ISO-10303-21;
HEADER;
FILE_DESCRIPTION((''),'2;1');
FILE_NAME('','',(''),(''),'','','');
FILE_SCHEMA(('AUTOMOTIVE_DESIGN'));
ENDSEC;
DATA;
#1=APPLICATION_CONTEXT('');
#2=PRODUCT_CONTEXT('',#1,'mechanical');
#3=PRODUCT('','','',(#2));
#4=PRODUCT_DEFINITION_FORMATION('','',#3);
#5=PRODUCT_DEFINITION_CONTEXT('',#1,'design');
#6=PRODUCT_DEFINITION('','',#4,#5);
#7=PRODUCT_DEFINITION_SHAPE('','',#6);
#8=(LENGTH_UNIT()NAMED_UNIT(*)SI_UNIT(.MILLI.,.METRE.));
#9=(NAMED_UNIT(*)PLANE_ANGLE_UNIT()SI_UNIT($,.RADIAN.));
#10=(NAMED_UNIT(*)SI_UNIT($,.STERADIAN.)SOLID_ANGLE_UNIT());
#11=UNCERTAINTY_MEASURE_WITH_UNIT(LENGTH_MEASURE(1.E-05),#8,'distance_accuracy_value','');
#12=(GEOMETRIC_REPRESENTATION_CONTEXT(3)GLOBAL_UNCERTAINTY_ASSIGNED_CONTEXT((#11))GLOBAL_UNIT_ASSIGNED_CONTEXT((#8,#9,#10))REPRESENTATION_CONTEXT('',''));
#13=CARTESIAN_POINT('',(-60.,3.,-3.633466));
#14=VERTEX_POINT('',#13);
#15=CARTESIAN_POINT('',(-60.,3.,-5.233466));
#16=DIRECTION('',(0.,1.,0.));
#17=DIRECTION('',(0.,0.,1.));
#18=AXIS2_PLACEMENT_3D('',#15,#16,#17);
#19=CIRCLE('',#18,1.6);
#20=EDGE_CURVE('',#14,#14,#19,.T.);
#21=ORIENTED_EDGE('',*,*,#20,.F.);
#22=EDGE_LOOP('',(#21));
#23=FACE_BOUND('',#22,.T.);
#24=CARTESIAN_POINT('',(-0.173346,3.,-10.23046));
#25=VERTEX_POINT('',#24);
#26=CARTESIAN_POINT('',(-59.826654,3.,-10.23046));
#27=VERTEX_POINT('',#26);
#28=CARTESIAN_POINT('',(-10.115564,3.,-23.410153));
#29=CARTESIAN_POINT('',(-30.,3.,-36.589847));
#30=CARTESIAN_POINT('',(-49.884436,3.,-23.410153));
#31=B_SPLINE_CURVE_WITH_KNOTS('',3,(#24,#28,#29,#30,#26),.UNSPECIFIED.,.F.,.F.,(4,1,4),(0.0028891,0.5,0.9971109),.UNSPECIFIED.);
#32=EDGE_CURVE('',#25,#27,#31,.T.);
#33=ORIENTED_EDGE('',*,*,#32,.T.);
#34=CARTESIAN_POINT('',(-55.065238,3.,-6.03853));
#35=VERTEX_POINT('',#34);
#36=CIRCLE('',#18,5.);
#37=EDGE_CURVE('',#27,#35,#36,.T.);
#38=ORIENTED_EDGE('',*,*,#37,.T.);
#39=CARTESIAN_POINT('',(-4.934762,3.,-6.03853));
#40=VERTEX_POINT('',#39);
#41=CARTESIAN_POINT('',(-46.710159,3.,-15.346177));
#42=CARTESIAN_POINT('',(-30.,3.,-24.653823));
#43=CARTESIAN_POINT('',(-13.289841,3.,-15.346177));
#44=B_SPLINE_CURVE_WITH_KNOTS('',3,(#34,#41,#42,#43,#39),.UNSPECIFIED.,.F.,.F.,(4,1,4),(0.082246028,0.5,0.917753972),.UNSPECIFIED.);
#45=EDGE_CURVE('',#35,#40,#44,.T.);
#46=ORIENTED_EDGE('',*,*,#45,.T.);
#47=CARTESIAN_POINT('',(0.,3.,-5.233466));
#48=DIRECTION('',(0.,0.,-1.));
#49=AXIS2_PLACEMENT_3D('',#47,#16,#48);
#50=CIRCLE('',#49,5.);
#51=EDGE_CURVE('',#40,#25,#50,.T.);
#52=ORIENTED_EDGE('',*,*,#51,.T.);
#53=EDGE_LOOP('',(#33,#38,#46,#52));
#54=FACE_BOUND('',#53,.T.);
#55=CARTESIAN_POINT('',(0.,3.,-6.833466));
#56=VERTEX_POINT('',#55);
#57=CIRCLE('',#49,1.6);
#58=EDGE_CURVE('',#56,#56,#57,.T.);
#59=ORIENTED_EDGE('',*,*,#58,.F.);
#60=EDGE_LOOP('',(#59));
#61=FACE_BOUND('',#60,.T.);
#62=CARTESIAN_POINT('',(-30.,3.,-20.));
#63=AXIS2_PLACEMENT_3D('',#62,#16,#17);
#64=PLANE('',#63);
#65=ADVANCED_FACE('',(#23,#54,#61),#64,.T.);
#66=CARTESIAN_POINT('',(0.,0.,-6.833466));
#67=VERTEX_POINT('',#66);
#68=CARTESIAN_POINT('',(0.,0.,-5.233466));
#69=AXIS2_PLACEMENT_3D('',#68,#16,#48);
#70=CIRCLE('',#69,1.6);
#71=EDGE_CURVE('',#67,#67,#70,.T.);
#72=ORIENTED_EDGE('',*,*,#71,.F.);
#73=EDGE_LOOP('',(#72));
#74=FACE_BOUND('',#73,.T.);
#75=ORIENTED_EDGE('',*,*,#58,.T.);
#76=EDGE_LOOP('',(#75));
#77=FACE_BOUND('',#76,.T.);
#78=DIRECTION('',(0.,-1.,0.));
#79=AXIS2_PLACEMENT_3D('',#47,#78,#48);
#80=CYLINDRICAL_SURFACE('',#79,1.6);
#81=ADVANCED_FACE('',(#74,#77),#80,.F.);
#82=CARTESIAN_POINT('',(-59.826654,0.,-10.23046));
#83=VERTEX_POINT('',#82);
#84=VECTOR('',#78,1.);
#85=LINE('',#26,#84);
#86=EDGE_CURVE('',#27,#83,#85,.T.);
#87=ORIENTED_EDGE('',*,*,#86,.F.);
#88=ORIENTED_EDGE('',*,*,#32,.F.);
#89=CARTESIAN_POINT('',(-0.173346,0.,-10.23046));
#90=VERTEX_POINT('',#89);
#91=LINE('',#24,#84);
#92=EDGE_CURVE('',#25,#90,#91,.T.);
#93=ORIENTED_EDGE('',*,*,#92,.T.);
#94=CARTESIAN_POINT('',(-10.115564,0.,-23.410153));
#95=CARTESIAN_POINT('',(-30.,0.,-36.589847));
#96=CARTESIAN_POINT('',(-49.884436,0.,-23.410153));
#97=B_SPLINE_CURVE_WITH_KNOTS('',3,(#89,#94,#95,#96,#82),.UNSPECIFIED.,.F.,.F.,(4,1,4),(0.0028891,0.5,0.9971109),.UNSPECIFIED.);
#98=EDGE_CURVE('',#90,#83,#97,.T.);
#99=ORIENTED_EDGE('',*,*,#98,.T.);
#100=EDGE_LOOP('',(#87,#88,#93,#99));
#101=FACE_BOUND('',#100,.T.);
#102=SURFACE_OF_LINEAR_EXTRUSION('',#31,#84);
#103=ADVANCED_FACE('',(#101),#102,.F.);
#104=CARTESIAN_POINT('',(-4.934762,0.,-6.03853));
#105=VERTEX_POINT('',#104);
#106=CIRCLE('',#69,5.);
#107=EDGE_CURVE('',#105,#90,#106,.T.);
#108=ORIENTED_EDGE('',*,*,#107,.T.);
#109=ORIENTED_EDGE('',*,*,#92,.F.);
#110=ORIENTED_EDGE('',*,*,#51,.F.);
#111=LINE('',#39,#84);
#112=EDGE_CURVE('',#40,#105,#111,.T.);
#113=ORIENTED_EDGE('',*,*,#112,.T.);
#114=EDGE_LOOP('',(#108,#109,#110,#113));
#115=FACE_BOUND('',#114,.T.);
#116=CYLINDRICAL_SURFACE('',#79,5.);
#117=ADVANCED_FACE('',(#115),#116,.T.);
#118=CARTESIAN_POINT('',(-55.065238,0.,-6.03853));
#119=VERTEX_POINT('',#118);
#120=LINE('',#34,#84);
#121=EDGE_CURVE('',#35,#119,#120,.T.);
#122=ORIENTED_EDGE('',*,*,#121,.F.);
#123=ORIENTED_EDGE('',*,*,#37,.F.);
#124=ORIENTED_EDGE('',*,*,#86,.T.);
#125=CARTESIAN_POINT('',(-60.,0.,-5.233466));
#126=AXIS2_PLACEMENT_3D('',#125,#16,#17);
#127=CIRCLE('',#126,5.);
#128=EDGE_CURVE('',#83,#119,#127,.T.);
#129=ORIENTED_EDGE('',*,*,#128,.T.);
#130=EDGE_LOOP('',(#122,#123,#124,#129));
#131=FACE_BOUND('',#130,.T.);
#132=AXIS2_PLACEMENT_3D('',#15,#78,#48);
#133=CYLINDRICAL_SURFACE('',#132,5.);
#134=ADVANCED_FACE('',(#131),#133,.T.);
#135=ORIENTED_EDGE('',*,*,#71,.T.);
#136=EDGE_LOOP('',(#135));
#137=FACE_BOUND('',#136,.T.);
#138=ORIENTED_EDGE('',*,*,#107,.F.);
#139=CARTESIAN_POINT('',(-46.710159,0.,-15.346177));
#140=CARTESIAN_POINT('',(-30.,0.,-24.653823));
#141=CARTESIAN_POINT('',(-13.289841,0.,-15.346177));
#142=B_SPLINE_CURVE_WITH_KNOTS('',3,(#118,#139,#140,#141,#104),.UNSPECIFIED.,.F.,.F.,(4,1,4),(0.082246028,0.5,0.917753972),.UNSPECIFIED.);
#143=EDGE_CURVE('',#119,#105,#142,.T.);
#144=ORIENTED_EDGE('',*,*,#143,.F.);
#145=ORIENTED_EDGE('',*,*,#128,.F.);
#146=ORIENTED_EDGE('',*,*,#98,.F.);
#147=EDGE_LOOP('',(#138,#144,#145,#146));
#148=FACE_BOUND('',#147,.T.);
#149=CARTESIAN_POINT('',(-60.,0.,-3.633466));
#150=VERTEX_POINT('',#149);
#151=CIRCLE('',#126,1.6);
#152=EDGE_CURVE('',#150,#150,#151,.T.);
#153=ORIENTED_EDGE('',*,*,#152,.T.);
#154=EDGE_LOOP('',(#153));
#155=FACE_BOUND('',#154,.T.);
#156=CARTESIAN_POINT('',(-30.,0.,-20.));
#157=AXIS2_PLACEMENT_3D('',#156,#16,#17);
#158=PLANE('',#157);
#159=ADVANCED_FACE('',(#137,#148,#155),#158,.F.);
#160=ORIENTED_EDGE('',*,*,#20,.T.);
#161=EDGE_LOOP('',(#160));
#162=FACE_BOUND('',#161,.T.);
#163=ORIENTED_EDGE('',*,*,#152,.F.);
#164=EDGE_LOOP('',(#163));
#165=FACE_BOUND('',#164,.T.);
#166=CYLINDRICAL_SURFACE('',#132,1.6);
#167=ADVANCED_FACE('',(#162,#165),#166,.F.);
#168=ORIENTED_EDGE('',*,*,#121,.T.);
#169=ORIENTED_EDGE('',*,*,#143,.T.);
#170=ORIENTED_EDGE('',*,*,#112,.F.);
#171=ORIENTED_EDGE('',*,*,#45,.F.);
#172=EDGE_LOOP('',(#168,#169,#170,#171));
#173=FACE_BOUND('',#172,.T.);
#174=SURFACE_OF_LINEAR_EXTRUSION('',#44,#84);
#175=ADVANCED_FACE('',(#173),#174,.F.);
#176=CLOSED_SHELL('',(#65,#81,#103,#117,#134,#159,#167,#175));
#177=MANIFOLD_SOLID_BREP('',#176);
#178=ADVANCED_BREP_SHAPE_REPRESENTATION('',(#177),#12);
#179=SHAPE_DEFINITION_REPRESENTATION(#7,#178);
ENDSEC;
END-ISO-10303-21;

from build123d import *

# Parameters (mm, degrees)
SKETCH1_R           = 1.6
BOSS_EXTRUDE1_DEPTH = 3


with BuildPart() as part:
    # Sketch1 → Boss-Extrude1 (new body)
    with BuildSketch(Plane(origin=(0, 0, 0), x_dir=(1, 0, 0), z_dir=(0, 1, 0))):
        with BuildLine():
            ThreePointArc((-59.826654002, 10.230460246), (-63.30397667, 1.480635346), (-55.065238323, 6.038529506))
            add(Edge.make_bspline(
                [(-55.065238323, 6.038529506), (-46.710158882, 15.346176502), (-30, 24.653823498), (-13.289841118, 15.346176502), (-4.934761677, 6.038529506)],
                knots=[0.082246028, 0.082246028, 0.082246028, 0.082246028, 0.5, 0.917753972, 0.917753972, 0.917753972, 0.917753972], degree=3))
            ThreePointArc((-4.934761677, 6.038529506), (3.30397667, 1.480635346), (-0.173345998, 10.230460246))
            add(Edge.make_bspline(
                [(-59.826654002, 10.230460246), (-49.884436001, 23.410153415), (-30, 36.589846585), (-10.115563999, 23.410153415), (-0.173345998, 10.230460246)],
                knots=[0.0028891, 0.0028891, 0.0028891, 0.0028891, 0.5, 0.9971109, 0.9971109, 0.9971109, 0.9971109], degree=3))
        make_face()
        with Locations((-60, 5.233466033)):
            Circle(SKETCH1_R, mode=Mode.SUBTRACT)
        with Locations((0, 5.233466033)):
            Circle(SKETCH1_R, mode=Mode.SUBTRACT)
    extrude(amount=BOSS_EXTRUDE1_DEPTH)


solid = part.part
